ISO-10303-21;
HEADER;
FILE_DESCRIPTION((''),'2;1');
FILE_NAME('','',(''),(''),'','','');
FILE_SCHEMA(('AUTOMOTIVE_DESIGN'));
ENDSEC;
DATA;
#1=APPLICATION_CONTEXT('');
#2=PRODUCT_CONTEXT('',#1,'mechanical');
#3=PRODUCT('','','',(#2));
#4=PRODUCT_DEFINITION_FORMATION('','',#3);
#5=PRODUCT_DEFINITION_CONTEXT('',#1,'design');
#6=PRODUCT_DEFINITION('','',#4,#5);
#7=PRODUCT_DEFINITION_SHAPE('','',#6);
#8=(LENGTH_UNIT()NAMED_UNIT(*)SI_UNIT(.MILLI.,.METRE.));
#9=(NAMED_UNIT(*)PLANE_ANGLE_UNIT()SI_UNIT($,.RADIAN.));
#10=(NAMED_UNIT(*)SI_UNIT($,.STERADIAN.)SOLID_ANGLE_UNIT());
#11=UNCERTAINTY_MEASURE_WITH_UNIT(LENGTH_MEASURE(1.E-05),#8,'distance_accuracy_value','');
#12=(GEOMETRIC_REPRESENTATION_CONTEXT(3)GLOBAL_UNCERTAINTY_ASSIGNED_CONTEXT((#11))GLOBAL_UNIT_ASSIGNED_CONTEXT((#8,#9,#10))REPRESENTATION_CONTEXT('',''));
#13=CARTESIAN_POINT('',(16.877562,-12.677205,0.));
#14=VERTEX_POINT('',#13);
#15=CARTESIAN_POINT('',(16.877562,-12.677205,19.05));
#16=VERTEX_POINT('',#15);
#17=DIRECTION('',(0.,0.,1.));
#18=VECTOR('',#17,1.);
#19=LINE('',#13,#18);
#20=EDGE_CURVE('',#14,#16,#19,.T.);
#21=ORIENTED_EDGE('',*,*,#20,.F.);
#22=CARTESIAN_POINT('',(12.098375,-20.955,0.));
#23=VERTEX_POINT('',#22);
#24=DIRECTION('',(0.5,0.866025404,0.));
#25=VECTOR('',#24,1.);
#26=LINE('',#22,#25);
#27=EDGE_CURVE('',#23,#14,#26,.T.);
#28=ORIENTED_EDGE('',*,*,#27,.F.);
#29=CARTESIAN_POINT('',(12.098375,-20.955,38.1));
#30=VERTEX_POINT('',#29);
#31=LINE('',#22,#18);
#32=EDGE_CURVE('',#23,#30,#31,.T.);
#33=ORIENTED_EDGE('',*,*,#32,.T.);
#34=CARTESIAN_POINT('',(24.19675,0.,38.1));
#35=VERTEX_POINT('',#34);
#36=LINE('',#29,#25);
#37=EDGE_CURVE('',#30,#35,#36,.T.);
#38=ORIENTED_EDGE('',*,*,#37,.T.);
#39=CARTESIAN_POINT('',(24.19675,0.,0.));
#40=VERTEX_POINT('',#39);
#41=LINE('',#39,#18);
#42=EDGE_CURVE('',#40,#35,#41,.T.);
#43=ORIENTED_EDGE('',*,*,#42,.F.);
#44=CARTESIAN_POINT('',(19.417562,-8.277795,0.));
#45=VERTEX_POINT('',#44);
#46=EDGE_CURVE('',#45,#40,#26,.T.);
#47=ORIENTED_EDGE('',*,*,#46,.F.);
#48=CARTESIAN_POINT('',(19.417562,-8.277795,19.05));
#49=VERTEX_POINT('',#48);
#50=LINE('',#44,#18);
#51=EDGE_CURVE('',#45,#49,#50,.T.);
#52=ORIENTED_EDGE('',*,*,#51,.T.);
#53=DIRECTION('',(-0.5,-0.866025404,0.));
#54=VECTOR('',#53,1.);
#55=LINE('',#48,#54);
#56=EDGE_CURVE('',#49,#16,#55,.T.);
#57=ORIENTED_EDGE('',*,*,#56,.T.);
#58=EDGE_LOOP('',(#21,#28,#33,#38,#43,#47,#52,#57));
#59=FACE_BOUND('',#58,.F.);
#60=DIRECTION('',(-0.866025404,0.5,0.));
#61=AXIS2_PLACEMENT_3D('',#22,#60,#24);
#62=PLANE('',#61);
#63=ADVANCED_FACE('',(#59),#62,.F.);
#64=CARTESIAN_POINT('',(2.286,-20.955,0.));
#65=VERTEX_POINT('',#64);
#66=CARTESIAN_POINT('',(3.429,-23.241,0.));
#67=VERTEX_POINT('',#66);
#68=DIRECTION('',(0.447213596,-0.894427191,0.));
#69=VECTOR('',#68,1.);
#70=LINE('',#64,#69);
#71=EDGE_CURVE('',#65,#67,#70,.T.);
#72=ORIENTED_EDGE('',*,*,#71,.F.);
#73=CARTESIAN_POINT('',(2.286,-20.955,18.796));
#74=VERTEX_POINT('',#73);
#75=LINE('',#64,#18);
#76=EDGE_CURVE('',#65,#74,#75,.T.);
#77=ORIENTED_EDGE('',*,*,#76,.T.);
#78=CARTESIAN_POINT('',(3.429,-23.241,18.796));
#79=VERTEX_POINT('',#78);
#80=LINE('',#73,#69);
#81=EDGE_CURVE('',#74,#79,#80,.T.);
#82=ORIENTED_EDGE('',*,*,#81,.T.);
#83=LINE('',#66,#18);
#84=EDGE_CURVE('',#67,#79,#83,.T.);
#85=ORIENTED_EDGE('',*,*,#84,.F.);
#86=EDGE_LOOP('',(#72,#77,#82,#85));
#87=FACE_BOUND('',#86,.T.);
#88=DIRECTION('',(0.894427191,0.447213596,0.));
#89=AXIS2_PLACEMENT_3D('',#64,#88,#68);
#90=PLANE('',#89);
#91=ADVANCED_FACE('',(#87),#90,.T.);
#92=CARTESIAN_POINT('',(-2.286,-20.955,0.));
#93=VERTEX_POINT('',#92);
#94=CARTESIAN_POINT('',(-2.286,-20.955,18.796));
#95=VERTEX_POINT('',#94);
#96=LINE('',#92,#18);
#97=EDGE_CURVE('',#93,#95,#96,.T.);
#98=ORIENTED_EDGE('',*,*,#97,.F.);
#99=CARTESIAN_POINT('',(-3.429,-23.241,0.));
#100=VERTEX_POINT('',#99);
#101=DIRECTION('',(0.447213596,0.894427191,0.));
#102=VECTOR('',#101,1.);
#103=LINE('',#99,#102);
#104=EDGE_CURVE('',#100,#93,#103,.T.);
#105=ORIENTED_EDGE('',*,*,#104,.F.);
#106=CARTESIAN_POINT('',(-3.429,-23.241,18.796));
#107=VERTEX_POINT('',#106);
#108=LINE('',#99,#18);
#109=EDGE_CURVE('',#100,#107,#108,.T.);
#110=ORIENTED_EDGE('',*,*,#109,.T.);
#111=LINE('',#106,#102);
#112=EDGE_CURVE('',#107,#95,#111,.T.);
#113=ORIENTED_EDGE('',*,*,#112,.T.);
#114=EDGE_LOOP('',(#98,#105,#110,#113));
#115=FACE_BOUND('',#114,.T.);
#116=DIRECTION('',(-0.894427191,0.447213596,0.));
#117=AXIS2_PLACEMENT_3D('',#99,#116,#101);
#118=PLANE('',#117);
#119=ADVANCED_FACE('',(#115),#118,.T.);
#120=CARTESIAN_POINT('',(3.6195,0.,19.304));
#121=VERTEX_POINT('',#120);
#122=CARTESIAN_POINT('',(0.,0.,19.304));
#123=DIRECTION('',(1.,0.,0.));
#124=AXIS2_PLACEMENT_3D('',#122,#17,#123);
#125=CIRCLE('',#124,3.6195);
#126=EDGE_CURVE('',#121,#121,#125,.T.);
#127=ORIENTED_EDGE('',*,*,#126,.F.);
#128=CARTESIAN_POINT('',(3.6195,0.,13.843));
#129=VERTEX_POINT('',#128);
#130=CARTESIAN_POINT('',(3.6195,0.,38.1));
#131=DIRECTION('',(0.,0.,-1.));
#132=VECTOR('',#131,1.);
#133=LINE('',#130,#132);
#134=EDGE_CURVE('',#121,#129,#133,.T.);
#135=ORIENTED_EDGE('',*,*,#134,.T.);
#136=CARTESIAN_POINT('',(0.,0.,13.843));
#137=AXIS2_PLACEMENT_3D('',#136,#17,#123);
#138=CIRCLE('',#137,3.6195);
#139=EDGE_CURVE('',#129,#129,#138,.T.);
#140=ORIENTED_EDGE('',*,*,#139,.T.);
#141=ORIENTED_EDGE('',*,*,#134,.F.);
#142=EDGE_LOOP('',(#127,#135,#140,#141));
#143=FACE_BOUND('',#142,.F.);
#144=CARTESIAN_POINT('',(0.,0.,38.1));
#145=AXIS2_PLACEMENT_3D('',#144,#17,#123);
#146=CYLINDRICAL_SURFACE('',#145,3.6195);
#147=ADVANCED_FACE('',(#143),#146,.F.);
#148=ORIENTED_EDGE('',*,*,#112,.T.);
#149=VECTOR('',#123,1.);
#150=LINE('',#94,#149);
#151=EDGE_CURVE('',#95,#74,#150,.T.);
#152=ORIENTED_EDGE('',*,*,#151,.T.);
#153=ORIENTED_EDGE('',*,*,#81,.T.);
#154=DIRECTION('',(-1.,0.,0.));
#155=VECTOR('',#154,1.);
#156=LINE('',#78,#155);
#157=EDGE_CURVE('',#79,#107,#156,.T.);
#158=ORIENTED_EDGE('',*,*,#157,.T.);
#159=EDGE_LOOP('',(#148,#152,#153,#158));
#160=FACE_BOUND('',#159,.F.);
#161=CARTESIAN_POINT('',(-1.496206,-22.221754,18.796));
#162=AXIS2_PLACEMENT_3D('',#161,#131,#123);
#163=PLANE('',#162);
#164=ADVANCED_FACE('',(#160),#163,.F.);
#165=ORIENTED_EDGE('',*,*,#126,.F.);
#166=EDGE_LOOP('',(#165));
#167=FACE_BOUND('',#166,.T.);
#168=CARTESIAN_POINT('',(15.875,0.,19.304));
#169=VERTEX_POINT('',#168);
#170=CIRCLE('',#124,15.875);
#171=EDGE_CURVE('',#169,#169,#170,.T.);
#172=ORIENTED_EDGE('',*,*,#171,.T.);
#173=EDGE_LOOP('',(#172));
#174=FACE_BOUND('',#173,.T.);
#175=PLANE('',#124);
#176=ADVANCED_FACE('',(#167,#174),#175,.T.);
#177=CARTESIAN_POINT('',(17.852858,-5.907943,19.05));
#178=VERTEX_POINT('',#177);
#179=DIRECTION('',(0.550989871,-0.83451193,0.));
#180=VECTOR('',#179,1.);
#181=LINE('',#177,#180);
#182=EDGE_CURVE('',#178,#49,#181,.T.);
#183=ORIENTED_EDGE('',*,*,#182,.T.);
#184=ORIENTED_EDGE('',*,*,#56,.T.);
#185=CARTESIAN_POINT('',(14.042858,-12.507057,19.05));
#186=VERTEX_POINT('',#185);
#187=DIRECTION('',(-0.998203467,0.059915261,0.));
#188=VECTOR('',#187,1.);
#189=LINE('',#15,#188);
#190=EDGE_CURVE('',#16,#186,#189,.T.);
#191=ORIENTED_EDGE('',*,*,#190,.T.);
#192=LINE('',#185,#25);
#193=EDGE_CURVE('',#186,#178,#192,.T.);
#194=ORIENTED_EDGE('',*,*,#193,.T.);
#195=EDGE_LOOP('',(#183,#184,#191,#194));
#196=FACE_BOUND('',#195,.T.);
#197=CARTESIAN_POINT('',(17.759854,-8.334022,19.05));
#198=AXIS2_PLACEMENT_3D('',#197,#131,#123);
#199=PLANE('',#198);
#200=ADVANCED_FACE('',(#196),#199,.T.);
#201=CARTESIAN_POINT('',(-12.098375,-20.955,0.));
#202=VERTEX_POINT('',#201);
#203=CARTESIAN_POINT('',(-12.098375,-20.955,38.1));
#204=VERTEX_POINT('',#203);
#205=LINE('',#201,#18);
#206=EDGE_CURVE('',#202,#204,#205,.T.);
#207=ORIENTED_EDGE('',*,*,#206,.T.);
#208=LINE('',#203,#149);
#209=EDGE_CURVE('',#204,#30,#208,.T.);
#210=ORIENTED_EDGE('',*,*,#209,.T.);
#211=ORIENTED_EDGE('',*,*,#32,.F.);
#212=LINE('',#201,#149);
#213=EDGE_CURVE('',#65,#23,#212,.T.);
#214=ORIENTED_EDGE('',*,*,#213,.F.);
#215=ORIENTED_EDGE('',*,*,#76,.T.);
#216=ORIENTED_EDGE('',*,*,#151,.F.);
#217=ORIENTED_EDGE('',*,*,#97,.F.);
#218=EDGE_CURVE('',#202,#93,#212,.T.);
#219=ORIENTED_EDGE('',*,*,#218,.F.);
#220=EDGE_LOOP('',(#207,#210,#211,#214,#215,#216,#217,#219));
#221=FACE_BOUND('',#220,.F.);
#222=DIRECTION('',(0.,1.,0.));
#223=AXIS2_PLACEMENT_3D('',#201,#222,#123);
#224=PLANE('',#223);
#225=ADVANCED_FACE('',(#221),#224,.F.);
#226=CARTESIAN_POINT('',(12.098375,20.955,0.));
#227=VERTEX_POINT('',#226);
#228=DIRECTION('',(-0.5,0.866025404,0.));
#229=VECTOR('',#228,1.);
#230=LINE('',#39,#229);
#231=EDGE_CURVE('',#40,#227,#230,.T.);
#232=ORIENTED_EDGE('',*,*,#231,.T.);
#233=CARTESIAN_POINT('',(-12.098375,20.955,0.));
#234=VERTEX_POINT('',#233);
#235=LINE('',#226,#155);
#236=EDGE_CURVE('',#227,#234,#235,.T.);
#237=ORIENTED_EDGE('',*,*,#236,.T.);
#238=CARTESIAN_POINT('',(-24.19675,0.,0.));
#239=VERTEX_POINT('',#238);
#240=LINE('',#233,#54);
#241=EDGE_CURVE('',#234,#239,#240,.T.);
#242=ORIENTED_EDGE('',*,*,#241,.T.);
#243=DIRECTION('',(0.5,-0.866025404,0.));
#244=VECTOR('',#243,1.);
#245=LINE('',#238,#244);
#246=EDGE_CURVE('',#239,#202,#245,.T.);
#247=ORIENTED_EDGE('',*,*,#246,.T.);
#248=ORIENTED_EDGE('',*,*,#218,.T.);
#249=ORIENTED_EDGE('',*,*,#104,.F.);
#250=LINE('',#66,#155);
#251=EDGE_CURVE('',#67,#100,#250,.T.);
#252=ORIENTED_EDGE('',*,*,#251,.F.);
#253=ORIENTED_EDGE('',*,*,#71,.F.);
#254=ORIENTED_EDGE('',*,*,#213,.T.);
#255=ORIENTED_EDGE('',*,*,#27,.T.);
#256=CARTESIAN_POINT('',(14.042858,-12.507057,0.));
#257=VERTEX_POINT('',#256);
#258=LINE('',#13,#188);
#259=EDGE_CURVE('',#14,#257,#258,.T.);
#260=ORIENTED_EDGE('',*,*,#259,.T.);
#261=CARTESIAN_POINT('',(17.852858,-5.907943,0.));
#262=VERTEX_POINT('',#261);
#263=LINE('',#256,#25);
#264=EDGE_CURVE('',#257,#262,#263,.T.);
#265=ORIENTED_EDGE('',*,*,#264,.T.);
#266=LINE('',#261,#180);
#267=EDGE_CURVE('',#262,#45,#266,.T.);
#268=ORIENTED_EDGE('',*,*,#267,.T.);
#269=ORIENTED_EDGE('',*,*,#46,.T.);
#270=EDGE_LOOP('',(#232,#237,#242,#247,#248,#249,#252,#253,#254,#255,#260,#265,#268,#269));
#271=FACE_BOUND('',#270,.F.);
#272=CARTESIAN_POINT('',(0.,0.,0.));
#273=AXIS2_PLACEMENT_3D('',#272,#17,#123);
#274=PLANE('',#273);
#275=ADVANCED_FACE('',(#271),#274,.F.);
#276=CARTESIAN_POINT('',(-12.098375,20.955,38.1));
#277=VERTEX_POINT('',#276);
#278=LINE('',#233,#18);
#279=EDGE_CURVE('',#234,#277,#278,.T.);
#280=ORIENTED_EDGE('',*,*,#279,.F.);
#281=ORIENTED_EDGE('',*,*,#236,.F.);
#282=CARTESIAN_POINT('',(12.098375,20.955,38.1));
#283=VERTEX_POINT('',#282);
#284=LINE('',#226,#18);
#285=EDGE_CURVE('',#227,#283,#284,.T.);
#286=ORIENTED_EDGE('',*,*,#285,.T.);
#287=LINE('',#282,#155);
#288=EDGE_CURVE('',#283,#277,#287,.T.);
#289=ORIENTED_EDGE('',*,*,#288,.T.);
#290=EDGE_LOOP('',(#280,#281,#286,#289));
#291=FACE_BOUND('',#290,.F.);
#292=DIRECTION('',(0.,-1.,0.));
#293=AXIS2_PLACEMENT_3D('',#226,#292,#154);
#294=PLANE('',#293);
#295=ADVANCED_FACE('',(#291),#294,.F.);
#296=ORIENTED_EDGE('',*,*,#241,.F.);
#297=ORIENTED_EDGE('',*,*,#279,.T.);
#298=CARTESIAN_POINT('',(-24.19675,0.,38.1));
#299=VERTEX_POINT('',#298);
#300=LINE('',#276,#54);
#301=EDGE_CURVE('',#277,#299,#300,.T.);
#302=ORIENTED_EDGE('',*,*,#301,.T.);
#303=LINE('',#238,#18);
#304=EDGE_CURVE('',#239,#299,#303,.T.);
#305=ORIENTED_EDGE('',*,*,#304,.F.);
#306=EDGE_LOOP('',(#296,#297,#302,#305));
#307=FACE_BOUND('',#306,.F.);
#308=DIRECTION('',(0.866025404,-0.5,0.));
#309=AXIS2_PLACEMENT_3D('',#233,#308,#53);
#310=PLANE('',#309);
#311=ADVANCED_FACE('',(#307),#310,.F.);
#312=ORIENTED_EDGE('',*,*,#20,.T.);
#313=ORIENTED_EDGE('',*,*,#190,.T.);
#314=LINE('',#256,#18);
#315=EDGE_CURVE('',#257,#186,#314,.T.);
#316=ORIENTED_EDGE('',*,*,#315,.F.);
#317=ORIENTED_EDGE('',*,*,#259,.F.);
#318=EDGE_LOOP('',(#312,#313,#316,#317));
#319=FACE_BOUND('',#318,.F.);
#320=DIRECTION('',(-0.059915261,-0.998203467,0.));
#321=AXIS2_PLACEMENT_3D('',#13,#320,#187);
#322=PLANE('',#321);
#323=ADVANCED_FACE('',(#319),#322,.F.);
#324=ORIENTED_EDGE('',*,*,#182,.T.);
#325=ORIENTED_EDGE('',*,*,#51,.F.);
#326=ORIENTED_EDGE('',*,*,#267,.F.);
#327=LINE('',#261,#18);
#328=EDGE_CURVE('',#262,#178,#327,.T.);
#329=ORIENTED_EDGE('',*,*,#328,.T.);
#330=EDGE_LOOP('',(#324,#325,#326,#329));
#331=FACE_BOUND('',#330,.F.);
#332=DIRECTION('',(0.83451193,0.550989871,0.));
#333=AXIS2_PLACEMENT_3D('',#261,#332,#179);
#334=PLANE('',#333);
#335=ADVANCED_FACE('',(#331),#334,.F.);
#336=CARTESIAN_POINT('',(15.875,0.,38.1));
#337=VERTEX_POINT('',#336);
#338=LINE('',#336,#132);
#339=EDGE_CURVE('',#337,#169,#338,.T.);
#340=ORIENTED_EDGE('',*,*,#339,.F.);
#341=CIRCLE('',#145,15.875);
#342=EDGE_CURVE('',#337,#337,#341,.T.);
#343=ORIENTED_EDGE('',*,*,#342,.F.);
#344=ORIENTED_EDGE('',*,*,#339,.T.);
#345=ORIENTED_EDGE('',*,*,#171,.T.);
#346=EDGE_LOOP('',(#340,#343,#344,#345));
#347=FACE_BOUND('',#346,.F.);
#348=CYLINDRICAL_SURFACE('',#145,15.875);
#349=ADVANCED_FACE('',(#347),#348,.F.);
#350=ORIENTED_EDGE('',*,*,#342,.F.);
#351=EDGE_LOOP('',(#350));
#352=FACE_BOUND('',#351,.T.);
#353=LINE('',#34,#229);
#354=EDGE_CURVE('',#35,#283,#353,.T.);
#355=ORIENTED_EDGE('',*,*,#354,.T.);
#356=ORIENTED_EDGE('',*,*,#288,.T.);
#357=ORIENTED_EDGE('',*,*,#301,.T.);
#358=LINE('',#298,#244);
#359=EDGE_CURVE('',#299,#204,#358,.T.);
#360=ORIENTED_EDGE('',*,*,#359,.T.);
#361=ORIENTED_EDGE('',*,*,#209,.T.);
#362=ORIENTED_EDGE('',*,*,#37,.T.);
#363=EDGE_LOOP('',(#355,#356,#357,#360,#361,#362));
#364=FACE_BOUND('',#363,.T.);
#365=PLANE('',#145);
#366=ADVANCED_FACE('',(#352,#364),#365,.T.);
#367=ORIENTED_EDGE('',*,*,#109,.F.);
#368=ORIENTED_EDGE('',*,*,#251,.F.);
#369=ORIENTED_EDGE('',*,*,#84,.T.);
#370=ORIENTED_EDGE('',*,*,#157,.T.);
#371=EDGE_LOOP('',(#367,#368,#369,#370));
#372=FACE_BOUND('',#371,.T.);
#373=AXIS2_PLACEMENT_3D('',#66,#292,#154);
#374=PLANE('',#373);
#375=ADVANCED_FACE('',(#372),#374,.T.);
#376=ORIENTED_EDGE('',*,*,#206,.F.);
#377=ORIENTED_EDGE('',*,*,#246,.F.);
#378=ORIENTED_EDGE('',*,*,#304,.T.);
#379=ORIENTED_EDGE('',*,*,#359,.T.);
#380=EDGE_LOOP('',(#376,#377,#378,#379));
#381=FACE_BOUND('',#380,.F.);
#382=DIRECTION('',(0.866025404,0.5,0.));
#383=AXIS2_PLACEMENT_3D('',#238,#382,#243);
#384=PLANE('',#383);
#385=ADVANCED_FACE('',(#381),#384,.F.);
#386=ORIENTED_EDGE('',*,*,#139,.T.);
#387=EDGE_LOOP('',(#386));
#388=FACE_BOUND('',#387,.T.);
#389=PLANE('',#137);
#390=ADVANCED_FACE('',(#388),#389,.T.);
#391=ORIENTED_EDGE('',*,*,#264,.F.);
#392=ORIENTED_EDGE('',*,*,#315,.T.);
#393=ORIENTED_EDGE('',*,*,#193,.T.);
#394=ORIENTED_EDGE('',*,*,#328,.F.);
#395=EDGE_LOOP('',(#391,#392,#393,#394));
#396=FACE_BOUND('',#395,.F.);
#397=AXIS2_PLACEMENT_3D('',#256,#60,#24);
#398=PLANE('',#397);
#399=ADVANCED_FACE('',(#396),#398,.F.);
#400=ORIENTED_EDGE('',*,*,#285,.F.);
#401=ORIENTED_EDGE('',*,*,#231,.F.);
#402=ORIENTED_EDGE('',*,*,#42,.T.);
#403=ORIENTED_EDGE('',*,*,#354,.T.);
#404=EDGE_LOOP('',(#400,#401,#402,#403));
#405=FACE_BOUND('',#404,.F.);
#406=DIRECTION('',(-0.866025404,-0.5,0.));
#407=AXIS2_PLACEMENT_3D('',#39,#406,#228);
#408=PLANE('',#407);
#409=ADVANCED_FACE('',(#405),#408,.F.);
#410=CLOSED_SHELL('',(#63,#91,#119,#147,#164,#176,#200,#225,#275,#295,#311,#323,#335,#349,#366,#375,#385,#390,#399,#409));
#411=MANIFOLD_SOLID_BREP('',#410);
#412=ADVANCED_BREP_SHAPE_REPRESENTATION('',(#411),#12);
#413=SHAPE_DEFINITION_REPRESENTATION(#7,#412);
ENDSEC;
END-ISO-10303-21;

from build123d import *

# Parameters (mm, degrees)
F1_DEPTH  = 38.1
F3_DEPTH  = 18.796
F4_R      = 15.875
F5_DEPTH  = 18.796
F6_R      = 3.6195
F7_DEPTH  = 24.257
F9_DEPTH  = 18.796
F11_DEPTH = 19.05


with BuildPart() as f1:
    # F0 (on Top) → F1 (new body)
    with BuildSketch(Plane.XY):
        Polygon((-12.0983748909, -20.955), (12.0983748909, -20.955), (24.1967497817, 0), (12.0983748909, 20.955), (-12.0983748909, 20.955), (-24.1967497817, 0), align=None)
    extrude(amount=F1_DEPTH)

    # F2 (on face) → F3 (cut)
    with BuildSketch(Plane.XY.offset(38.1)):
        Polygon((-11.365140049, -19.685), (11.365140049, -19.685), (22.730280098, 0), (11.365140049, 19.685), (-11.365140049, 19.685), (-22.730280098, 0), align=None)
    extrude(amount=-F3_DEPTH, mode=Mode.SUBTRACT)

    # F4 (on face) → F5 (join)
    with BuildSketch(Plane.XY.offset(38.1)):
        Polygon((-22.730280098, 0), (-11.365140049, -19.685), (11.365140049, -19.685), (22.730280098, 0), (11.365140049, 19.685), (-11.365140049, 19.685), align=None)
        Circle(F4_R, mode=Mode.SUBTRACT)
    extrude(amount=-F5_DEPTH)

    # F6 (on face) → F7 (cut)
    with BuildSketch(Plane.XY.offset(38.1)):
        Circle(F6_R)
    extrude(amount=-F7_DEPTH, mode=Mode.SUBTRACT)

    # F8 (on face) → F9 (join)
    with BuildSketch(Plane(origin=(0, 0, 0), x_dir=(1, 0, 0), z_dir=(0, 0, -1))):
        Polygon((-2.286, 20.955), (0, 20.955), (0, 23.241), (-3.429, 23.241), align=None)
        Polygon((0, 23.241), (0, 20.955), (2.286, 20.955), (3.429, 23.241), align=None)
    extrude(amount=-F9_DEPTH)

    # F10 (on face) → F11 (cut)
    with BuildSketch(Plane(origin=(0, 0, 0), x_dir=(1, 0, 0), z_dir=(0, 0, -1))):
        Polygon((19.4175623363, 8.2777954744), (18.1475623363, 10.4775), (15.9478578107, 9.2075), (17.8528578107, 5.9079432116), align=None)
        Polygon((15.9478578107, 9.2075), (18.1475623363, 10.4775), (16.8775623363, 12.6772045256), (14.0428578107, 12.5070567884), align=None)
    extrude(amount=-F11_DEPTH, mode=Mode.SUBTRACT)


solid = f1.part
